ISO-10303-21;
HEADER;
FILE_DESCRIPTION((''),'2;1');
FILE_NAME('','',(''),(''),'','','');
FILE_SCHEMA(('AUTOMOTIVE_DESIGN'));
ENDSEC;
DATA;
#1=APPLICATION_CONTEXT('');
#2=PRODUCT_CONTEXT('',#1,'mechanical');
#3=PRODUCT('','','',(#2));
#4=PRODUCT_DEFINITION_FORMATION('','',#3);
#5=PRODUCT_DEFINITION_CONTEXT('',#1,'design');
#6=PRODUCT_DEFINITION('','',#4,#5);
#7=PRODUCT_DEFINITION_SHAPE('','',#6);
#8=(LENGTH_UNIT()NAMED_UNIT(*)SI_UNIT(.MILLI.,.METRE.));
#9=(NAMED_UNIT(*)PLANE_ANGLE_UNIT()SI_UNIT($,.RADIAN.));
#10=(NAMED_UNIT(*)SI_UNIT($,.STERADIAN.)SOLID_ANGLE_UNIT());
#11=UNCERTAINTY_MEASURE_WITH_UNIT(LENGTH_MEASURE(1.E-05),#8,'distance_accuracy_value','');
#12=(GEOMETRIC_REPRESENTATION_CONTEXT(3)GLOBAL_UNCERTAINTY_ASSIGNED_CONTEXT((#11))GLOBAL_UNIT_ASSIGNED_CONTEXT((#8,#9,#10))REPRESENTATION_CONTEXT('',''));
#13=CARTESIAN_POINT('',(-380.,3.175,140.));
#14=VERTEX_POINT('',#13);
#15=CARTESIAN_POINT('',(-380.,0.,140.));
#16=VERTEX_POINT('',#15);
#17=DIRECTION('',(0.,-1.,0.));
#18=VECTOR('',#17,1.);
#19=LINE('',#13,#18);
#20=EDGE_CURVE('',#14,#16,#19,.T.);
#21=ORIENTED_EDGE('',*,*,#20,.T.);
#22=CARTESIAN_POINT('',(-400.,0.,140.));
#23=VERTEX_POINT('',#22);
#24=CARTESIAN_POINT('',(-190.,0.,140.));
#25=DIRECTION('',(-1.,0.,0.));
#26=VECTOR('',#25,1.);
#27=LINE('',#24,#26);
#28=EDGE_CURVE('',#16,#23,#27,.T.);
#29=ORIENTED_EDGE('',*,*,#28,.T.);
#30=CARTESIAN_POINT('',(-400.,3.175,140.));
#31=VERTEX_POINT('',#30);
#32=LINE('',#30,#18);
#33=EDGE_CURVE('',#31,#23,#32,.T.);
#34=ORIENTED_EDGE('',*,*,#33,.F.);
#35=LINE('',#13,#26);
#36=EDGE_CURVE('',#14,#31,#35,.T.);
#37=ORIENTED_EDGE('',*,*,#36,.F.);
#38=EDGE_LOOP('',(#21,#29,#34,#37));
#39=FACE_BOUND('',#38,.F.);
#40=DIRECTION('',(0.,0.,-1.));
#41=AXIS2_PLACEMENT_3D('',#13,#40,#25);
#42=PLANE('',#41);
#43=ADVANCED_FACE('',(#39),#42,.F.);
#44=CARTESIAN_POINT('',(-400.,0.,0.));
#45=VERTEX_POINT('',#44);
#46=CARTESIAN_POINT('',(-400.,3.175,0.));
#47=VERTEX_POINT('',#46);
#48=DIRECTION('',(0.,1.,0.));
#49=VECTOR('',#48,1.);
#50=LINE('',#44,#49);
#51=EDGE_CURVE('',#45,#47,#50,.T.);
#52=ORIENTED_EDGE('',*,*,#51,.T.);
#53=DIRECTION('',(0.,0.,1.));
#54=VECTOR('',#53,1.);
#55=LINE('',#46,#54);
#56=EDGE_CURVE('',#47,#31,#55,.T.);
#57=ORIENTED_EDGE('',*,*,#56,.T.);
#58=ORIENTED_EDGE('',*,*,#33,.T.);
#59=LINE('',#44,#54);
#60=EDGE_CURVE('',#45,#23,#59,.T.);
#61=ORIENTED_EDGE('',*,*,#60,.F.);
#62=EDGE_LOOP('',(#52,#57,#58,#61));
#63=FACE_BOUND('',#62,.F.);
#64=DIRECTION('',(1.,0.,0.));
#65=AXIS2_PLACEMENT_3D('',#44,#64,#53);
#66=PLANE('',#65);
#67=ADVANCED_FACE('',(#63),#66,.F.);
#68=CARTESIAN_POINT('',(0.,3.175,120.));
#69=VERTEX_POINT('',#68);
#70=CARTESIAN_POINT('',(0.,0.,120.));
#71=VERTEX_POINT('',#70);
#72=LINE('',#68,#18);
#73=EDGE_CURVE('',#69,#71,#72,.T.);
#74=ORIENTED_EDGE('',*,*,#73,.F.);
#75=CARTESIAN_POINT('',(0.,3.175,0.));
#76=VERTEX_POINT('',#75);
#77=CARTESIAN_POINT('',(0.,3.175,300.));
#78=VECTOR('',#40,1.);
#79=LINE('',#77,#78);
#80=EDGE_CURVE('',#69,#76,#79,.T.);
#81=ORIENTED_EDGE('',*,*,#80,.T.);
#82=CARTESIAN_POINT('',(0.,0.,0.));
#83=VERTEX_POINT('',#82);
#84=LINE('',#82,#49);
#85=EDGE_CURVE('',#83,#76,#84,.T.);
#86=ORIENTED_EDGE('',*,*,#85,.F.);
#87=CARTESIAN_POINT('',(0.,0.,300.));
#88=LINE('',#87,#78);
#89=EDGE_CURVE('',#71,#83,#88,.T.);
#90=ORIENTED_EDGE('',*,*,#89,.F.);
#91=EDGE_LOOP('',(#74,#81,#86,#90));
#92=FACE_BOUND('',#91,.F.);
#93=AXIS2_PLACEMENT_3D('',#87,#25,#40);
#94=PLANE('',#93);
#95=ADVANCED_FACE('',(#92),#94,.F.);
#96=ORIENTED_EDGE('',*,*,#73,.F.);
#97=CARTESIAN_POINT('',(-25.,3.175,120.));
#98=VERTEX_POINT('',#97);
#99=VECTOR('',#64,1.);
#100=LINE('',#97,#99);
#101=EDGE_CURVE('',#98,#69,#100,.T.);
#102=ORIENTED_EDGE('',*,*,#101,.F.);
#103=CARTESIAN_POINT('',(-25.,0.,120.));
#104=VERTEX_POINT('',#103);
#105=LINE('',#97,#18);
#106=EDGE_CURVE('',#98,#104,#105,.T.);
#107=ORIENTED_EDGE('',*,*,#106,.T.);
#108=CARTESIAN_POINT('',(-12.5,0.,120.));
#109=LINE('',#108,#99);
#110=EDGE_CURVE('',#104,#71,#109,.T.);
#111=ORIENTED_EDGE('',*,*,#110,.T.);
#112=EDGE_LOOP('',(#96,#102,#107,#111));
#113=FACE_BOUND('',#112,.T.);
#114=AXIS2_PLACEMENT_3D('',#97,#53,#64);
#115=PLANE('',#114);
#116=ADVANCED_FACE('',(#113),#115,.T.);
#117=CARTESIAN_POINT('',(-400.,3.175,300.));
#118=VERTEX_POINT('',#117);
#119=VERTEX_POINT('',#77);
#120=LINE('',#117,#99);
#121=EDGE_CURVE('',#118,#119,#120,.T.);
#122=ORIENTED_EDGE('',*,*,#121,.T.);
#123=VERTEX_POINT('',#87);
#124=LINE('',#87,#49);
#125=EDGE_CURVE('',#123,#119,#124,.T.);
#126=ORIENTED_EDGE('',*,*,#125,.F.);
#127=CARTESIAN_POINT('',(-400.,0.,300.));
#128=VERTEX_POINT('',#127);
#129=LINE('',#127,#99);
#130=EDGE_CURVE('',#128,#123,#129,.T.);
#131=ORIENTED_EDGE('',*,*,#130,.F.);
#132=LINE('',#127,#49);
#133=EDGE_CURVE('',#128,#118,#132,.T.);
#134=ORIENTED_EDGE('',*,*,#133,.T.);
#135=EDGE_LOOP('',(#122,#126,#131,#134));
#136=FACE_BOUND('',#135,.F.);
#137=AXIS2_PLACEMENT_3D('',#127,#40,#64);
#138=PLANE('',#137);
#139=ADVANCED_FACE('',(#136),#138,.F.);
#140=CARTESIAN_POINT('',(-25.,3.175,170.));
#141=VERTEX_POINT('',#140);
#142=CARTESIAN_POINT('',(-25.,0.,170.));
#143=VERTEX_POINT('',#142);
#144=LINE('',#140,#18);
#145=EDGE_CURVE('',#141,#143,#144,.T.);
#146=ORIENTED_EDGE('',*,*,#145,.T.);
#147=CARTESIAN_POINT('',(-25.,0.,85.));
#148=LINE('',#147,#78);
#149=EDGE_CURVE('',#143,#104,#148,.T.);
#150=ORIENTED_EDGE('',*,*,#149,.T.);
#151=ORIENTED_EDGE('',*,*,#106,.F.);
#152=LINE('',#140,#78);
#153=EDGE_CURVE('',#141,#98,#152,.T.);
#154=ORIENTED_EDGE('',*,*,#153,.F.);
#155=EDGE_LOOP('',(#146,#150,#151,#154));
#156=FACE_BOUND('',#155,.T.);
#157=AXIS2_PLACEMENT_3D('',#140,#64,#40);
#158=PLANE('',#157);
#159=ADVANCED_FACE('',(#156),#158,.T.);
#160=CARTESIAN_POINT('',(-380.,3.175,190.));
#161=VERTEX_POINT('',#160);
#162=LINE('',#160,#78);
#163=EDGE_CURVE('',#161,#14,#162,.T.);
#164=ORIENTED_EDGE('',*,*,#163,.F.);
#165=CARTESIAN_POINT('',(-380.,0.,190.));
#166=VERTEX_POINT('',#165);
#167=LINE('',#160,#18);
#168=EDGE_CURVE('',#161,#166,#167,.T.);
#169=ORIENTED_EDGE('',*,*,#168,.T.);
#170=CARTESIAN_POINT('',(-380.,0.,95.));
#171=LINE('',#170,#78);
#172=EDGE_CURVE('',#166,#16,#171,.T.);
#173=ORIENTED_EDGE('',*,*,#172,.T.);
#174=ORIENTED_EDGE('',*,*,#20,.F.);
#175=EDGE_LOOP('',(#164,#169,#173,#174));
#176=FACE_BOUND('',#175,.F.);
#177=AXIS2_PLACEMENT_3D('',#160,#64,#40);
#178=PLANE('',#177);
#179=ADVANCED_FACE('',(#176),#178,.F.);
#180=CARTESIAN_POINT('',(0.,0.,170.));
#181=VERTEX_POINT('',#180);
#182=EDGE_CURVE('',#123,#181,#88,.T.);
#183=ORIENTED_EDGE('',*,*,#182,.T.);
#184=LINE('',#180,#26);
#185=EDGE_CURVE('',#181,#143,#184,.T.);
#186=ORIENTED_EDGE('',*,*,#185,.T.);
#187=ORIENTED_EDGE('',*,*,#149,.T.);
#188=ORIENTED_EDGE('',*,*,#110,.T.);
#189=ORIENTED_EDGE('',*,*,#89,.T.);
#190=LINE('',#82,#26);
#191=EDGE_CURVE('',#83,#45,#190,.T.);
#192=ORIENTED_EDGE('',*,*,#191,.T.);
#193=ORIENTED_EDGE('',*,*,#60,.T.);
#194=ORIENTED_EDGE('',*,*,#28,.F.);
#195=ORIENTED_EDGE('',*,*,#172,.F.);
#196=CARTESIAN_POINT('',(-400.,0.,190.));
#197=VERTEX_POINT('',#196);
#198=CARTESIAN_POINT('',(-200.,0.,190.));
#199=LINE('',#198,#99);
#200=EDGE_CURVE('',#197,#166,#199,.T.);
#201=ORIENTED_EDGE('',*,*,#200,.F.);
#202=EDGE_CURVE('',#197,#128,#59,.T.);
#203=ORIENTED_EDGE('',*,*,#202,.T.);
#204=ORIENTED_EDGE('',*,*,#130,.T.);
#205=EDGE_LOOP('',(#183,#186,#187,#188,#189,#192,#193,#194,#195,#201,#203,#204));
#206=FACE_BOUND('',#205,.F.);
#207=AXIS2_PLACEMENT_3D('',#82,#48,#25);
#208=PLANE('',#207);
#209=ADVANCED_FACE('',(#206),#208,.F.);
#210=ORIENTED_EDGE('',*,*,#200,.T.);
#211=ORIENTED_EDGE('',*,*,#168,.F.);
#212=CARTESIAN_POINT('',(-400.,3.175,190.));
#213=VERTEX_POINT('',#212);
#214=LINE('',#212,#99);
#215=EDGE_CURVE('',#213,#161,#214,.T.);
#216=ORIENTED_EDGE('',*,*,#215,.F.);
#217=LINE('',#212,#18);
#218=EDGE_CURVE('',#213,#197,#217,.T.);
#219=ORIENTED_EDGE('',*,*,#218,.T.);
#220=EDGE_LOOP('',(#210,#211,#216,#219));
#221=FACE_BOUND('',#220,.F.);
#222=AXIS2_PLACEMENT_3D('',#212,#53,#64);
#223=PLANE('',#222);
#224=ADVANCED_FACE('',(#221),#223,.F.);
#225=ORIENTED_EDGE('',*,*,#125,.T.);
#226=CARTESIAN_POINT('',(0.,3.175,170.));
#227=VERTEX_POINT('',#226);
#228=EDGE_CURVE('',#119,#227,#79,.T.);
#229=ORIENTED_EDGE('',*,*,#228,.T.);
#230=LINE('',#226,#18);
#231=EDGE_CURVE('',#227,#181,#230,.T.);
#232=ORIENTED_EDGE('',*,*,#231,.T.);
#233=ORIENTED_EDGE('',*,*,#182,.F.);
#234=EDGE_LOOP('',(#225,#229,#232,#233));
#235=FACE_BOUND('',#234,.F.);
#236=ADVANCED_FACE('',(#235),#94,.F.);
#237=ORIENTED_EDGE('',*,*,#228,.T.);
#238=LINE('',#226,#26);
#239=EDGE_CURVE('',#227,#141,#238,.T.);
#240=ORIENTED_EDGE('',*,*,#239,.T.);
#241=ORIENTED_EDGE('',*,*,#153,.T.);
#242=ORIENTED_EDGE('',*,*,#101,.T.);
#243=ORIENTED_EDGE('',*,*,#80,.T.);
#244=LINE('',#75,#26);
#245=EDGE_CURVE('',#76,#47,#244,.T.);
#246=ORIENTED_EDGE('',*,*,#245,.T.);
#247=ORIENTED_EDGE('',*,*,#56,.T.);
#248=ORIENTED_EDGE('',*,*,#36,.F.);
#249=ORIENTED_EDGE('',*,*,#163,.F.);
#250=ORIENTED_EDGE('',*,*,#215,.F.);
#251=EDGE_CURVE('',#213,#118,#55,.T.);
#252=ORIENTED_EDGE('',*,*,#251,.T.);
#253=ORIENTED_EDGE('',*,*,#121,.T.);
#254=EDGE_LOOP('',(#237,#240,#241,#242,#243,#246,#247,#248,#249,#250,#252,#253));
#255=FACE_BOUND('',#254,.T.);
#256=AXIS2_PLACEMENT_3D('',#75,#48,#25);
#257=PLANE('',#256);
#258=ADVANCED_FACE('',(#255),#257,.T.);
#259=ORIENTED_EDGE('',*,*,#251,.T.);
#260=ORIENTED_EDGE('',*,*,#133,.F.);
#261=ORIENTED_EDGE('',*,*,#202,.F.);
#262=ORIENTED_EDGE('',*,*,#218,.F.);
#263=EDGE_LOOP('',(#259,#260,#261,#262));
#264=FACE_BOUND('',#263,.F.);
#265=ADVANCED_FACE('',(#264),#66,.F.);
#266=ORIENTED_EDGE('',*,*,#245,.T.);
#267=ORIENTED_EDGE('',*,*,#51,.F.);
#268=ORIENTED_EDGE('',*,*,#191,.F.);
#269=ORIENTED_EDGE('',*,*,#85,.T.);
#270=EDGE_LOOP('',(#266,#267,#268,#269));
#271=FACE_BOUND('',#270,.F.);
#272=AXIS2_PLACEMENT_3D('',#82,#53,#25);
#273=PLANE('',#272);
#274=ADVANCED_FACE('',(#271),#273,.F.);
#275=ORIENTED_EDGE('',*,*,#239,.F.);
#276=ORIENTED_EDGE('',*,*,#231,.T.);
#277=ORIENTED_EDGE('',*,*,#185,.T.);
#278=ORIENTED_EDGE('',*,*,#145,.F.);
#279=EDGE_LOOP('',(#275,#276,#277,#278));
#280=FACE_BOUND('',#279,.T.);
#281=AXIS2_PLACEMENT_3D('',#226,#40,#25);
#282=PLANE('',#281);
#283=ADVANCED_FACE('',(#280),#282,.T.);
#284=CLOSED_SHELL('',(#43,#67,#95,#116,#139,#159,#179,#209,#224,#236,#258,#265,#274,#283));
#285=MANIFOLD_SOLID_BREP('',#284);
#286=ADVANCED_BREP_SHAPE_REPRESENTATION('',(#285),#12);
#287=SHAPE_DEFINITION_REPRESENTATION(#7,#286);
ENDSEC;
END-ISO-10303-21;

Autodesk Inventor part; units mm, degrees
ref_plane "YZ Plane" through (0, 0, 0) normal (1, 0, 0) x (0, 1, 0)
ref_plane "XZ Plane" through (0, 0, 0) normal (0, 1, 0) x (-1, 0, 0)
ref_plane "XY Plane" through (0, 0, 0) normal (0, 0, 1) x (1, 0, 0)
sketch "Sketch1" plane through (0, 0, 0) normal (0, 1, 0) x (-1, 0, 0)
  line L0 (0, 0) -> (400, 0)
  line L1 (400, 0) -> (400, 300)
  line L2 (400, 300) -> (0, 300)
  line L3 (0, 300) -> (0, 0)
  dimension "d0" = 300
  dimension "d1" = 400
extrude "Extrusion1" add sketch "Sketch1" along normal blind 3.175
sketch "Sketch2" plane through (0, 3.175, 0) normal (0, 1, 0) x (1, 0, 0)
  line L0 (0, -300) -> (0, 0) projected
  line L1 (0, -170) -> (-25, -170)
  line L2 (-25, -170) -> (-25, -120)
  line L3 (-25, -120) -> (0, -120)
  line L4 (0, -120) -> (0, -170)
  line L5 (-400, 0) -> (-400, -300) projected
  line L6 (-400, -190) -> (-380, -190)
  line L7 (-380, -190) -> (-380, -140)
  line L8 (-380, -140) -> (-400, -140)
  line L9 (-400, -140) -> (-400, -190)
  line L10 (-400, -300) -> (0, -300) projected
  point P0 (0, -120)
  dimension "d4" = 25
  dimension "d5" = 130
  dimension "d6" = 180
  dimension "d7" = 20
  dimension "d8" = 110
  dimension "d9" = 160
extrude "Extrusion2" cut sketch "Sketch2" against normal through all
properties part number "Stock Aluminum Sheet"
